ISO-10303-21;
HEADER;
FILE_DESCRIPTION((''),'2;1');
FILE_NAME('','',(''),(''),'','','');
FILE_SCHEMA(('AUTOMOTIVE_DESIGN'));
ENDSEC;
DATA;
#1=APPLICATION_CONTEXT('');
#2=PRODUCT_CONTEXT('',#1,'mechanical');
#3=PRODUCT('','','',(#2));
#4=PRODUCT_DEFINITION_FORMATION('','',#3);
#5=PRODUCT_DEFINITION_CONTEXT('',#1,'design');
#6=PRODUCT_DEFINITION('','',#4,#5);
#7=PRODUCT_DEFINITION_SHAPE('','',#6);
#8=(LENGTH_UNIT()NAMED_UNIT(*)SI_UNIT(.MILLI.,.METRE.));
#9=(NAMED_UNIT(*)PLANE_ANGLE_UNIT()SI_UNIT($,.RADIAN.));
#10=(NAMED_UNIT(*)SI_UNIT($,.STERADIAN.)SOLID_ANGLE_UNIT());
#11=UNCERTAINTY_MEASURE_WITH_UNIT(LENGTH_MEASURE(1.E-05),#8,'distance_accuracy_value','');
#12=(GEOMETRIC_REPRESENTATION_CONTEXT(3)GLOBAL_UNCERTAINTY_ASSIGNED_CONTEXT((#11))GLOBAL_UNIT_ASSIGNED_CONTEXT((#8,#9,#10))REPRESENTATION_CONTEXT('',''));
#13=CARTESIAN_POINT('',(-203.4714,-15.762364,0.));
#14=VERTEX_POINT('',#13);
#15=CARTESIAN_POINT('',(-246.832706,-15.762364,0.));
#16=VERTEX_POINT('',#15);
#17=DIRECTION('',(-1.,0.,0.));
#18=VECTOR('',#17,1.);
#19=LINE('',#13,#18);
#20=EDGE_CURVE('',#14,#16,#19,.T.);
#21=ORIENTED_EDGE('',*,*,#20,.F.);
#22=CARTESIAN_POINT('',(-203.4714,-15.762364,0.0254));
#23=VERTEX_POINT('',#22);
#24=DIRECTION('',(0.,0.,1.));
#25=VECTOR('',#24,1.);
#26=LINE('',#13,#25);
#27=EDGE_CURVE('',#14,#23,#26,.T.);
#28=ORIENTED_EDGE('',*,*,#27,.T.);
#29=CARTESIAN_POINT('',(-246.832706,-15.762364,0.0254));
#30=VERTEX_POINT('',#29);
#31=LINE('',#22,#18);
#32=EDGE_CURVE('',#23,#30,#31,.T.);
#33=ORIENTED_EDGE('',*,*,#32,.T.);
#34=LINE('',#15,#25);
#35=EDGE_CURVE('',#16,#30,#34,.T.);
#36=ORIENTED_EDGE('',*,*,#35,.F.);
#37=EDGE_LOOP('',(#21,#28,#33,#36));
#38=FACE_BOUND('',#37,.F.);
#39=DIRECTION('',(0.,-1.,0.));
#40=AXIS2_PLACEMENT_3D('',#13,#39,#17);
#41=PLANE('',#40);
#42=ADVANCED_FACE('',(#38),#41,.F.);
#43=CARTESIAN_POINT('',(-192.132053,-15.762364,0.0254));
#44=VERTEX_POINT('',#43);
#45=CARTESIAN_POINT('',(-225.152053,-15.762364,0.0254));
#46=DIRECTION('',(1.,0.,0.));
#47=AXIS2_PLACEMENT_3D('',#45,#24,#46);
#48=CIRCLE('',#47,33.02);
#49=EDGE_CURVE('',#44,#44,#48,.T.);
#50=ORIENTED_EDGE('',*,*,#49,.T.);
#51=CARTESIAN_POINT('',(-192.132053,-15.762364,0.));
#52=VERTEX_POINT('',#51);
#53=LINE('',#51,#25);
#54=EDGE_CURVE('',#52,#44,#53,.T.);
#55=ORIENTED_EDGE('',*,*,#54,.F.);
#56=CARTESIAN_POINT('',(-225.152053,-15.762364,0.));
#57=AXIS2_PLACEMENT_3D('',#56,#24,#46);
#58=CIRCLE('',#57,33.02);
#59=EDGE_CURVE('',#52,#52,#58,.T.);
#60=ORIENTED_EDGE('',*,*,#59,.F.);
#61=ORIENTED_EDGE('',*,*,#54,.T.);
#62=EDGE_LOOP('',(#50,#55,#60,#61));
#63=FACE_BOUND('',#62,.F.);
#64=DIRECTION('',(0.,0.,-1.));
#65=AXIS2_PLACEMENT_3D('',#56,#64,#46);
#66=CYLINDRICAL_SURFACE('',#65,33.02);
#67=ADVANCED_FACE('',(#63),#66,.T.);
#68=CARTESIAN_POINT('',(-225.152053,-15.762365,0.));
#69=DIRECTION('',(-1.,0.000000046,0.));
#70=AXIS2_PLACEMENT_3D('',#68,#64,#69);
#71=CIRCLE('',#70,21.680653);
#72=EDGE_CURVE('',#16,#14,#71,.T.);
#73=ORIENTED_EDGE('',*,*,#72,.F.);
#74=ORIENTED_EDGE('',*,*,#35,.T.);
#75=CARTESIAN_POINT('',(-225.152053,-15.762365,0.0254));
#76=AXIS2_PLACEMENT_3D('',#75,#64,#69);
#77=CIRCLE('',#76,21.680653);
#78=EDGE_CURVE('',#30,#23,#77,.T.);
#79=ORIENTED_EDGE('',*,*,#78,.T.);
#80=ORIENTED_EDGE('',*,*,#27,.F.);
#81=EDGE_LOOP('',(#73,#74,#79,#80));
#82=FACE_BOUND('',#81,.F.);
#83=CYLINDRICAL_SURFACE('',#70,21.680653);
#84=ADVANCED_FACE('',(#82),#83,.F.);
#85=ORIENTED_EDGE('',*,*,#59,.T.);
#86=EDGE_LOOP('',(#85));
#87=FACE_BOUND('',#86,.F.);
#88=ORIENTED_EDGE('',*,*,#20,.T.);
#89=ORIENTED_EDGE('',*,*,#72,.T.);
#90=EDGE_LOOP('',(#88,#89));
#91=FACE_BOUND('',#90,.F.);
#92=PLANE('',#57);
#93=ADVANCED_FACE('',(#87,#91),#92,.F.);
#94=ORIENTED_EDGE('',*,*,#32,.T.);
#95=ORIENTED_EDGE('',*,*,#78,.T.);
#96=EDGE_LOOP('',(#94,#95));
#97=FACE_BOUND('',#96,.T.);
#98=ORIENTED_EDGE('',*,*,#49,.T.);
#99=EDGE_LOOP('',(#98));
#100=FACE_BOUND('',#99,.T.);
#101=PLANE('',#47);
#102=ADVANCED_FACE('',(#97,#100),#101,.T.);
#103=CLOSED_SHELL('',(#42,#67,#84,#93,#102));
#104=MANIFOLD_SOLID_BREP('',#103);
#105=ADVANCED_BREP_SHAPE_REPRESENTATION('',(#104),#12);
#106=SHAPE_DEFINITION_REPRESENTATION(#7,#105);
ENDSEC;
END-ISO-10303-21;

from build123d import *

# Parameters (mm, degrees)
F0_R     = 33.02
F1_DEPTH = 0.0254


with BuildPart() as f1:
    # F0 (on Top) → F1 (new body)
    with BuildSketch(Plane.XY):
        with Locations((-225.152053, -15.762364)):
            Circle(F0_R)
        with BuildLine():
            Line((-203.4714, -15.762364), (-246.832706, -15.762364))
            ThreePointArc((-246.832706, -15.762364), (-225.152053, 5.918288), (-203.4714, -15.762364))
        make_face(mode=Mode.SUBTRACT)
    extrude(amount=F1_DEPTH)


solid = f1.part
